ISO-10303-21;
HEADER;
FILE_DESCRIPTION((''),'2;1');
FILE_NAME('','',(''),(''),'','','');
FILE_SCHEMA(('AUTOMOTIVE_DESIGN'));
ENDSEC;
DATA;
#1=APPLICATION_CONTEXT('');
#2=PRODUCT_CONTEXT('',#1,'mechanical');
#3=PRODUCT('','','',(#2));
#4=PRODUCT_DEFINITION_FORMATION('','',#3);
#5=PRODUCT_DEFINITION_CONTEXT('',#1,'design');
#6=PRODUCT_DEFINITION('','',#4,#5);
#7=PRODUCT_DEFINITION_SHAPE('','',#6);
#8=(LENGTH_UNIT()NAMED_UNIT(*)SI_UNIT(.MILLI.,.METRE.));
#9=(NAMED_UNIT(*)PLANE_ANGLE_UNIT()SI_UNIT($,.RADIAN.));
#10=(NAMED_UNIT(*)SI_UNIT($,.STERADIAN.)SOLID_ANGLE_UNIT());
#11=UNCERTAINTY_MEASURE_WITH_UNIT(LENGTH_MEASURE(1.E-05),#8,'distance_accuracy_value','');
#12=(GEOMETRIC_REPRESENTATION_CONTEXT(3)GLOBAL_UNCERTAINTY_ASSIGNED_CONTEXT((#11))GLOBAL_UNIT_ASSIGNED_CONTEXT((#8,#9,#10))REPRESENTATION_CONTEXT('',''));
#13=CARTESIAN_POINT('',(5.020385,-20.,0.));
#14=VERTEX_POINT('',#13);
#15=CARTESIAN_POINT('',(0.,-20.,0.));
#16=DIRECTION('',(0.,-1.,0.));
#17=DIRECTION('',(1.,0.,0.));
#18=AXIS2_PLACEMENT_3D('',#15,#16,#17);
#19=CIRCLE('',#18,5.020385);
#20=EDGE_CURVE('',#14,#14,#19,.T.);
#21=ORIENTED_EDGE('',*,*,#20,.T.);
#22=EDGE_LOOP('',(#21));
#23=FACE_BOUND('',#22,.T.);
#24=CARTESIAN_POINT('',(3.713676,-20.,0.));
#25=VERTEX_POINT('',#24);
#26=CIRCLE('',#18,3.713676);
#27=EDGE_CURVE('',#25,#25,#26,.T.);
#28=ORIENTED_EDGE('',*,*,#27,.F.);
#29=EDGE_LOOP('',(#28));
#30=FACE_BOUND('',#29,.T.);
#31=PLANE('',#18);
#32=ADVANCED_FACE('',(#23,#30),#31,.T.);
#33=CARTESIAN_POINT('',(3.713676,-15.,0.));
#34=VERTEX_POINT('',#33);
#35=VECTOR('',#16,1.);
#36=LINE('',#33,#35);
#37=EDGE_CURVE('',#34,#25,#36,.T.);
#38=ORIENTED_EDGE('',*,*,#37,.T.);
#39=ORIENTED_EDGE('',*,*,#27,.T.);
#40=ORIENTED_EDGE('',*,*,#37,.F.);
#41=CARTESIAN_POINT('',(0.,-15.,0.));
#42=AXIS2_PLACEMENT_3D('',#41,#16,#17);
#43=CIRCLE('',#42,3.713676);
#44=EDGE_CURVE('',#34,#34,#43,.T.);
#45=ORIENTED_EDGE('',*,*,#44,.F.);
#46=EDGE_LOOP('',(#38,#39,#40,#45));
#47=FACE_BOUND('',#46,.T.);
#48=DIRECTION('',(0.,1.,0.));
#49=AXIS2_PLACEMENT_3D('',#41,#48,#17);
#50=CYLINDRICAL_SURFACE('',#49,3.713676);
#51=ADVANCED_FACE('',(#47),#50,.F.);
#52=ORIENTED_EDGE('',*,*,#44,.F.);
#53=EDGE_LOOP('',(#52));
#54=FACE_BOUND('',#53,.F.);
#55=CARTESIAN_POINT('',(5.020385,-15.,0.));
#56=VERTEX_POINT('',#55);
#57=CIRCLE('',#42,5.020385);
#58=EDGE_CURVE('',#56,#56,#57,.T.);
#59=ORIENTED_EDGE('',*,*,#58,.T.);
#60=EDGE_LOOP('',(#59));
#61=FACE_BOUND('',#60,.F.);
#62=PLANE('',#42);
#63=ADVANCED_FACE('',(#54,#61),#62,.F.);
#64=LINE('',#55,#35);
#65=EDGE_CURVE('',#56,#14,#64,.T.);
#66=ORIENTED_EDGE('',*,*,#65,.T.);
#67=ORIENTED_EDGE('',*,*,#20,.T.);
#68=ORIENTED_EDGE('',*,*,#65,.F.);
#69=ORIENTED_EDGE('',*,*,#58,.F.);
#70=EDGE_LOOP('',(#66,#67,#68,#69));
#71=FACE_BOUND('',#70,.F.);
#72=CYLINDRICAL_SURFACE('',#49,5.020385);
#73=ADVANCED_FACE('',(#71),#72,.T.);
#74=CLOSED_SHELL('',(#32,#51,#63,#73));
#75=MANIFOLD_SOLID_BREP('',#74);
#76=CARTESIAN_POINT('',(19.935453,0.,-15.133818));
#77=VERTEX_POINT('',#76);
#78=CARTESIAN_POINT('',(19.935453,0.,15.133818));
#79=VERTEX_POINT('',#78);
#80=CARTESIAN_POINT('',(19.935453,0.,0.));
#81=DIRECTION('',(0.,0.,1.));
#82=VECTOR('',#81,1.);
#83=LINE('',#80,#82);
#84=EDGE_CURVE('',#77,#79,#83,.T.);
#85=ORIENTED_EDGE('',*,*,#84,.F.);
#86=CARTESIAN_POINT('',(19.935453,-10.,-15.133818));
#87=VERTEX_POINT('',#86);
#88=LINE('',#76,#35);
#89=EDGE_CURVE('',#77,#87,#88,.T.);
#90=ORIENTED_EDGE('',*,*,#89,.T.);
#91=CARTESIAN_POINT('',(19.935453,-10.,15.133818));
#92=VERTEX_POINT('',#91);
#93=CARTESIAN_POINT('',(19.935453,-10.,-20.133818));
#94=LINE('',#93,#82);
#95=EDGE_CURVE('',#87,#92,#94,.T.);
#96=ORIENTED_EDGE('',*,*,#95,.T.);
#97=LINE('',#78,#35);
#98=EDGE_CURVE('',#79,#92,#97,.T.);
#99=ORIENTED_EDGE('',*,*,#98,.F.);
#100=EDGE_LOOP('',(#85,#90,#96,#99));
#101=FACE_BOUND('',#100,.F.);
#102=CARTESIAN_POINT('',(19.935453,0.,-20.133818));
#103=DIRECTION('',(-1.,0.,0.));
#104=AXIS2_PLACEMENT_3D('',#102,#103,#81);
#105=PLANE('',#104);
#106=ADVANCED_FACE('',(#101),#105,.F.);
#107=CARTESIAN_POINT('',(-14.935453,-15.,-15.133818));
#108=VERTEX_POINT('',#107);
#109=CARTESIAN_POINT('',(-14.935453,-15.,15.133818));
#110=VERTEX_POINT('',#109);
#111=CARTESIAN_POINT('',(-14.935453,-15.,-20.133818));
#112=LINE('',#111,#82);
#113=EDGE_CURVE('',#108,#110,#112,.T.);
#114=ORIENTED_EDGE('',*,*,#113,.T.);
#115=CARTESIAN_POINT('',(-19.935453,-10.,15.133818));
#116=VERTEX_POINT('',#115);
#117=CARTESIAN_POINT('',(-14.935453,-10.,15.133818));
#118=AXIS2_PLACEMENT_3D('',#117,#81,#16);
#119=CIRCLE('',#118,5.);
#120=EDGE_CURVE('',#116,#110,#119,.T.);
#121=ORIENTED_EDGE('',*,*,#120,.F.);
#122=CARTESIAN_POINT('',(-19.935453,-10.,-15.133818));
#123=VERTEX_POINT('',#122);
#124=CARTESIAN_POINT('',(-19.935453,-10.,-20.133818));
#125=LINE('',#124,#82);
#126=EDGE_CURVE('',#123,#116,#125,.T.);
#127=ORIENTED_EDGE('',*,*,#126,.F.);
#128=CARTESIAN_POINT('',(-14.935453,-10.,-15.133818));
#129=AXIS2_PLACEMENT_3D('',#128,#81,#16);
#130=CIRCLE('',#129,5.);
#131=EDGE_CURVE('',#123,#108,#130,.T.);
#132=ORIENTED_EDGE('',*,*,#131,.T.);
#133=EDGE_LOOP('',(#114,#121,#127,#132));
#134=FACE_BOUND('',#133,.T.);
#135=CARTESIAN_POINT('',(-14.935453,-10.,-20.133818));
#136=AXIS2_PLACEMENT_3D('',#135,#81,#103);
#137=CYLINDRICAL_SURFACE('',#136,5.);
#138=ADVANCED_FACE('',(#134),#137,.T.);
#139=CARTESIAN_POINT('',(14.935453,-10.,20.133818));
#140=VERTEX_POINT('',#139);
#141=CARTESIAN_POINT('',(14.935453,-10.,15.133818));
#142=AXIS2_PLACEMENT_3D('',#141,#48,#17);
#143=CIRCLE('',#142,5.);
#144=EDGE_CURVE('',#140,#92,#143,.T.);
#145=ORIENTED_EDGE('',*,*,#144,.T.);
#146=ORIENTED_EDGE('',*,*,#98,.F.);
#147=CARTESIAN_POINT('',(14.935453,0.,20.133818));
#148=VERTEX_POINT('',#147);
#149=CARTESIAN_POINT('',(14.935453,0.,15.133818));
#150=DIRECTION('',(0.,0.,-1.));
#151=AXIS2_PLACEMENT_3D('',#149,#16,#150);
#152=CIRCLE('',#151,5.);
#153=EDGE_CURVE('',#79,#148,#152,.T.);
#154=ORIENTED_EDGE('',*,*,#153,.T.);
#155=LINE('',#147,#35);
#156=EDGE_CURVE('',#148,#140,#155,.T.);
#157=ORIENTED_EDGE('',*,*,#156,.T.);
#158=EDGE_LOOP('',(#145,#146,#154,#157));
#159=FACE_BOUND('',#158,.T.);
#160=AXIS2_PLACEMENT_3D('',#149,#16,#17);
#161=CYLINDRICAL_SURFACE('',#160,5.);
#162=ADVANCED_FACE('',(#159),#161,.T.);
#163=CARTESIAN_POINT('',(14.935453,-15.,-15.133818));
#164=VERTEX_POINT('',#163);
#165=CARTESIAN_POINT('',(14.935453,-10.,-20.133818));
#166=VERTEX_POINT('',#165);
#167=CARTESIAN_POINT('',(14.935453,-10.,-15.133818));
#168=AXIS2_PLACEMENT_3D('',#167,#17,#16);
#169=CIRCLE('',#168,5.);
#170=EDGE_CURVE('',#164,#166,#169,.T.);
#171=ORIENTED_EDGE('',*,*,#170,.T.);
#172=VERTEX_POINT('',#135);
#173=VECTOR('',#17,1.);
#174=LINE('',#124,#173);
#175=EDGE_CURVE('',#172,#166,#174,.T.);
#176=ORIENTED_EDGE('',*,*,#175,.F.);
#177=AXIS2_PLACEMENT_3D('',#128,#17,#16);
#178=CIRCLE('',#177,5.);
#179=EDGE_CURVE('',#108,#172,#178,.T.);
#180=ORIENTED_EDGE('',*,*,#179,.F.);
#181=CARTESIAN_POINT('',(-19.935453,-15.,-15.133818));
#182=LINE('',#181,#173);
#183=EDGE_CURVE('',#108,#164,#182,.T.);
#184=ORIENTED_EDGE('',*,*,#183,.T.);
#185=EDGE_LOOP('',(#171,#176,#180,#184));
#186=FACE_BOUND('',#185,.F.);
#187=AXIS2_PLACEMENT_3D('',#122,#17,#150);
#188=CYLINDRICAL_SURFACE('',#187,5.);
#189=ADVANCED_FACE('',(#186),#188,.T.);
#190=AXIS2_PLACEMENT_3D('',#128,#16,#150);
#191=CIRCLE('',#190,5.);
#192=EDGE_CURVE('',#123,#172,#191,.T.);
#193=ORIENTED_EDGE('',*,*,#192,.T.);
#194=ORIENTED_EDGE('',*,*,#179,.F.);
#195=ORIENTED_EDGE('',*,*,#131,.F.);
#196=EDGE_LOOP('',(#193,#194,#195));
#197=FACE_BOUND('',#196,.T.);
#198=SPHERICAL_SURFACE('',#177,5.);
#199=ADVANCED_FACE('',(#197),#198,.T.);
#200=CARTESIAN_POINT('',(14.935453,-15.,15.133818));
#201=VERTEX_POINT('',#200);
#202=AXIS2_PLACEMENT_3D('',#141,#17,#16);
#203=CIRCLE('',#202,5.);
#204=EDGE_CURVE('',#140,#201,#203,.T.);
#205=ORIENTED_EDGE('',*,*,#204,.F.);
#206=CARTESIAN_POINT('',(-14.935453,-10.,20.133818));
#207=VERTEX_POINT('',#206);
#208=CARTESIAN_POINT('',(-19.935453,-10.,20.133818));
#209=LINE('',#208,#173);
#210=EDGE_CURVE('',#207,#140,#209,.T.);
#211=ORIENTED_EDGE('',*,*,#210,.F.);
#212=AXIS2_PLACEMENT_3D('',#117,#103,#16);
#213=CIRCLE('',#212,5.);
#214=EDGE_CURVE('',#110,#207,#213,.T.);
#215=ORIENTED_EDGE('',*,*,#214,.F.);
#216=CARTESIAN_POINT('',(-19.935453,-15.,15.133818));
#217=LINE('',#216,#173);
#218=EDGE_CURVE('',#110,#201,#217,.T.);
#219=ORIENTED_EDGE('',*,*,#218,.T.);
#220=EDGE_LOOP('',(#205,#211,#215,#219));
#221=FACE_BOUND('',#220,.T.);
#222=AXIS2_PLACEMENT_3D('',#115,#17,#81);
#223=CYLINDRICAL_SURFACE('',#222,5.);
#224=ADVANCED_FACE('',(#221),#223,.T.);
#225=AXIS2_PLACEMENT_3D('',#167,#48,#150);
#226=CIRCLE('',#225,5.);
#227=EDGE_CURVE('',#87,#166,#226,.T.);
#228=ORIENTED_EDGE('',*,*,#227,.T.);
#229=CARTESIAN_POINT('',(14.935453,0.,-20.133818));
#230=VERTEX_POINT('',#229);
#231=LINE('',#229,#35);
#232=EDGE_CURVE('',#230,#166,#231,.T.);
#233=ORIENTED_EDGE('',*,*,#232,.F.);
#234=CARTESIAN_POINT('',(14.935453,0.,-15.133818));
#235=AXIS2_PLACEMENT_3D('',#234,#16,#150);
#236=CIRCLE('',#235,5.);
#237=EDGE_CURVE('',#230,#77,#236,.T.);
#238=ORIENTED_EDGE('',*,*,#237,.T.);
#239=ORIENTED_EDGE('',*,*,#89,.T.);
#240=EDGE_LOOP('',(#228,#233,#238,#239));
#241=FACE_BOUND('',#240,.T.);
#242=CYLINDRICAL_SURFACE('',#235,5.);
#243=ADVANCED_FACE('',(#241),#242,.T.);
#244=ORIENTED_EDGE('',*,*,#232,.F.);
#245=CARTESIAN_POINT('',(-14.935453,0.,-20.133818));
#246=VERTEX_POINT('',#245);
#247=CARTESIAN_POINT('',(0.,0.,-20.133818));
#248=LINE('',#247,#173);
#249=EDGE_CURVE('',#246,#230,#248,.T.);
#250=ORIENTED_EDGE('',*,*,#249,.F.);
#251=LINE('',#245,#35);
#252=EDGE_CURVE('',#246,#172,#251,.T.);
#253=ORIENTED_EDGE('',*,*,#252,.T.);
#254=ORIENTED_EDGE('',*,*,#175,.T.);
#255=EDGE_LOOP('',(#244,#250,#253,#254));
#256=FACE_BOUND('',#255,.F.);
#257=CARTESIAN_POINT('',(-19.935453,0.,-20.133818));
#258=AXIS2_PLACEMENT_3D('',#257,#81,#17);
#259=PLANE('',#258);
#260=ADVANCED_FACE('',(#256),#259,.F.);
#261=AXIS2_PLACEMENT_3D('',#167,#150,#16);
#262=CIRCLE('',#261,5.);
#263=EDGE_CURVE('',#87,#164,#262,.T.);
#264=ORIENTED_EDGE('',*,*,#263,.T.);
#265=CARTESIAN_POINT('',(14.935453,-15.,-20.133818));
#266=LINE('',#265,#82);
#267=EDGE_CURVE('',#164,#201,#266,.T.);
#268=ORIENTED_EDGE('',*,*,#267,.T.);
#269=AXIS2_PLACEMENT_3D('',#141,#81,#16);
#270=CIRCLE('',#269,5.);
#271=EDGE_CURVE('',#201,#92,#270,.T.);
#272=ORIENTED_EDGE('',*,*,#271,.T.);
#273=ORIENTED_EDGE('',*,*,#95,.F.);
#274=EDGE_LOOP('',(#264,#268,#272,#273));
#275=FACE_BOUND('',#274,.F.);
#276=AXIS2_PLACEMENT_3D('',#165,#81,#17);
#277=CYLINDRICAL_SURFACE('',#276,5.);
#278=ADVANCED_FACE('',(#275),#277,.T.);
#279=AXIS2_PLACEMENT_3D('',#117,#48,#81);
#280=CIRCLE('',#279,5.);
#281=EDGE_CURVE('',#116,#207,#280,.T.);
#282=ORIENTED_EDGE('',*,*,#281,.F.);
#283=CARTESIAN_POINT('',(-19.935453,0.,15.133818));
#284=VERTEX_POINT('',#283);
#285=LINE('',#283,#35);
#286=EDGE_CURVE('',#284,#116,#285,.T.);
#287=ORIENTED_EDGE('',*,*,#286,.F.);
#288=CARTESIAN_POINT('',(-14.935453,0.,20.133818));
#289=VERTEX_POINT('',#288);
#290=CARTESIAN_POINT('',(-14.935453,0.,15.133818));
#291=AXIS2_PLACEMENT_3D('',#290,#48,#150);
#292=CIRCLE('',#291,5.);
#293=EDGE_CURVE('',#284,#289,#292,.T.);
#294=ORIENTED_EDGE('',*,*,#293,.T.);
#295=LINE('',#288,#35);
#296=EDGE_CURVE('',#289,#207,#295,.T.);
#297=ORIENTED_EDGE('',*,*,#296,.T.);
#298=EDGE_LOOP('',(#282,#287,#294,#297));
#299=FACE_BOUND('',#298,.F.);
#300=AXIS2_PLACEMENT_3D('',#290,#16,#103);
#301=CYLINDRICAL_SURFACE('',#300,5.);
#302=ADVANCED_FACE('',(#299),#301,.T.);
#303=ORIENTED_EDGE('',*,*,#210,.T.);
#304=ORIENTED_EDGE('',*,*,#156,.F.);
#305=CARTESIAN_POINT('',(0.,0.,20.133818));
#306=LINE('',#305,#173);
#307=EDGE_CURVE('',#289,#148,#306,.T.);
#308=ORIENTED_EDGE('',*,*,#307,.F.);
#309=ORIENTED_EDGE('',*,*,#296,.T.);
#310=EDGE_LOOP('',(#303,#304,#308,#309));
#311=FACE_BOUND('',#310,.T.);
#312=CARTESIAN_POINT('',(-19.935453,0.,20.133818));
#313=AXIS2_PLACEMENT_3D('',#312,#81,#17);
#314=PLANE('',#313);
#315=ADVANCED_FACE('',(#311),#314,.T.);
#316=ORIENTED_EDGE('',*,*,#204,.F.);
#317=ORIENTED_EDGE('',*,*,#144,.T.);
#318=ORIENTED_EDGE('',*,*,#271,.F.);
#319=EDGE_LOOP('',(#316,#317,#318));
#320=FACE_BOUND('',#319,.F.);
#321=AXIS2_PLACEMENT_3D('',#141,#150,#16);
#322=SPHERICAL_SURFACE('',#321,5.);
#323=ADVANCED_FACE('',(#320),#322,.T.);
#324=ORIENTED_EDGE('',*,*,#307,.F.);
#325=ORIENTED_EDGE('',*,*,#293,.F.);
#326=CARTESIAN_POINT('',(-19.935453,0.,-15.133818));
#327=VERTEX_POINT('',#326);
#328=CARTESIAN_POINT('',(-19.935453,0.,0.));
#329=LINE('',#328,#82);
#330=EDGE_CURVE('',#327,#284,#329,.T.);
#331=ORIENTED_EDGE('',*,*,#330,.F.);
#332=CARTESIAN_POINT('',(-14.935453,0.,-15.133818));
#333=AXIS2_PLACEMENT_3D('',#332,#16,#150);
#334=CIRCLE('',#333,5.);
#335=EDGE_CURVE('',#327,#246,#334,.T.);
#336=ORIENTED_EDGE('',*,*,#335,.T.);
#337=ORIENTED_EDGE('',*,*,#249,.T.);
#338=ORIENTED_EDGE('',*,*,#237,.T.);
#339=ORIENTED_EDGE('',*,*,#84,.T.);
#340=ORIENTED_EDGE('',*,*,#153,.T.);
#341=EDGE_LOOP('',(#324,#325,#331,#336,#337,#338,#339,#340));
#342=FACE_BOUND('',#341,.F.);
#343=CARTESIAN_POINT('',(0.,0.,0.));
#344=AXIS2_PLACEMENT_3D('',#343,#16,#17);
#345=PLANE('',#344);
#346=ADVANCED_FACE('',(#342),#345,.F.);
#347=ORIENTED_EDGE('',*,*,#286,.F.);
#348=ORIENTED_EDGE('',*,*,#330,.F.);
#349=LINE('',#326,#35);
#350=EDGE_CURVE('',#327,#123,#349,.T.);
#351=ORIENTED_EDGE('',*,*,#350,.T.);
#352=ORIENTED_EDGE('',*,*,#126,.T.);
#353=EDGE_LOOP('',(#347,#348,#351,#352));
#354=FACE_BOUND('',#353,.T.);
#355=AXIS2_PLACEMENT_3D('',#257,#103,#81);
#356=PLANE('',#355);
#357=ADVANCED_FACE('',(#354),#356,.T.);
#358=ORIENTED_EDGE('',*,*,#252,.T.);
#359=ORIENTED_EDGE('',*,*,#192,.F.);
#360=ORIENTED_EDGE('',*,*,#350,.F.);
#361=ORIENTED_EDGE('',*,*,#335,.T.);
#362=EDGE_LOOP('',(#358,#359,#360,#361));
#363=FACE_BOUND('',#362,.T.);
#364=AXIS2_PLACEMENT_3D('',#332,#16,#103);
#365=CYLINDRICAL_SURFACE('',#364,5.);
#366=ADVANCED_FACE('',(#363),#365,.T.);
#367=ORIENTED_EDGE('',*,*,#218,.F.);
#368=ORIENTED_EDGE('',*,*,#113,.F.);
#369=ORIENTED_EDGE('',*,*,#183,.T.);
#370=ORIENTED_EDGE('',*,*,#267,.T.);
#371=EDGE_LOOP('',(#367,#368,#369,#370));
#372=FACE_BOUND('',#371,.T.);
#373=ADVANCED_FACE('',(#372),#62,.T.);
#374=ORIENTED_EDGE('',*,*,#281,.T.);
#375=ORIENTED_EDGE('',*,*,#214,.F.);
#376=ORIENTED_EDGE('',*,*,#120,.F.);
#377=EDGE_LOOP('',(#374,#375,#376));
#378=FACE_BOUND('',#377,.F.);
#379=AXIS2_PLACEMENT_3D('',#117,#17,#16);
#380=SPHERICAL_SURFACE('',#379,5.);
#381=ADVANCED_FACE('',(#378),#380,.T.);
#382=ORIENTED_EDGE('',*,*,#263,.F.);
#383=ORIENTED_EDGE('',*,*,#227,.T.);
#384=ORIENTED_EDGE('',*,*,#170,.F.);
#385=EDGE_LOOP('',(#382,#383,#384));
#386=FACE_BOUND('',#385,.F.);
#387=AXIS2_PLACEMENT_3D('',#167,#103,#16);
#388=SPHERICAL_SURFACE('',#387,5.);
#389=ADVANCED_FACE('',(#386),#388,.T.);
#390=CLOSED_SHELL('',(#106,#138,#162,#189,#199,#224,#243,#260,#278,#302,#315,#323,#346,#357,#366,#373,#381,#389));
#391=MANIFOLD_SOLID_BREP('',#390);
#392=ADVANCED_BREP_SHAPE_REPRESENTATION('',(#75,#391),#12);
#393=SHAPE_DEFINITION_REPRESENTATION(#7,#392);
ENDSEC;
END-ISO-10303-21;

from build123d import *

# Parameters (mm, degrees)
F0_W     = 39.870906
F0_H     = 40.267636
F1_DEPTH = 15
F2_R     = 5
F3_R     = 5.020385
F3_R_2   = 3.713676
F4_DEPTH = 5


with BuildPart() as f1:
    # F0 (on Front) → F1 (new body)
    with BuildSketch(Plane.XZ):
        Rectangle(F0_W, F0_H)
    extrude(amount=F1_DEPTH)

    # F2
    f2_edges = [f1.edges().sort_by_distance(p)[0] for p in [
        (0, -15, -20.133818),
        (19.935453, -15, 0),
        (0, -15, 20.133818),
        (-19.935453, -15, 0),
        (-19.935453, -7.5, -20.133818),
        (-19.935453, -7.5, 20.133818),
        (19.935453, -7.5, -20.133818),
        (19.935453, -7.5, 20.133818),
    ]]
    fillet(f2_edges, radius=F2_R)


with BuildPart() as f4:
    # F3 (on face) → F4 (new body)
    with BuildSketch(Plane.XZ.offset(15)):
        Circle(F3_R)
        Circle(F3_R_2, mode=Mode.SUBTRACT)
    extrude(amount=F4_DEPTH)


solid = Compound([f1.part, f4.part])
